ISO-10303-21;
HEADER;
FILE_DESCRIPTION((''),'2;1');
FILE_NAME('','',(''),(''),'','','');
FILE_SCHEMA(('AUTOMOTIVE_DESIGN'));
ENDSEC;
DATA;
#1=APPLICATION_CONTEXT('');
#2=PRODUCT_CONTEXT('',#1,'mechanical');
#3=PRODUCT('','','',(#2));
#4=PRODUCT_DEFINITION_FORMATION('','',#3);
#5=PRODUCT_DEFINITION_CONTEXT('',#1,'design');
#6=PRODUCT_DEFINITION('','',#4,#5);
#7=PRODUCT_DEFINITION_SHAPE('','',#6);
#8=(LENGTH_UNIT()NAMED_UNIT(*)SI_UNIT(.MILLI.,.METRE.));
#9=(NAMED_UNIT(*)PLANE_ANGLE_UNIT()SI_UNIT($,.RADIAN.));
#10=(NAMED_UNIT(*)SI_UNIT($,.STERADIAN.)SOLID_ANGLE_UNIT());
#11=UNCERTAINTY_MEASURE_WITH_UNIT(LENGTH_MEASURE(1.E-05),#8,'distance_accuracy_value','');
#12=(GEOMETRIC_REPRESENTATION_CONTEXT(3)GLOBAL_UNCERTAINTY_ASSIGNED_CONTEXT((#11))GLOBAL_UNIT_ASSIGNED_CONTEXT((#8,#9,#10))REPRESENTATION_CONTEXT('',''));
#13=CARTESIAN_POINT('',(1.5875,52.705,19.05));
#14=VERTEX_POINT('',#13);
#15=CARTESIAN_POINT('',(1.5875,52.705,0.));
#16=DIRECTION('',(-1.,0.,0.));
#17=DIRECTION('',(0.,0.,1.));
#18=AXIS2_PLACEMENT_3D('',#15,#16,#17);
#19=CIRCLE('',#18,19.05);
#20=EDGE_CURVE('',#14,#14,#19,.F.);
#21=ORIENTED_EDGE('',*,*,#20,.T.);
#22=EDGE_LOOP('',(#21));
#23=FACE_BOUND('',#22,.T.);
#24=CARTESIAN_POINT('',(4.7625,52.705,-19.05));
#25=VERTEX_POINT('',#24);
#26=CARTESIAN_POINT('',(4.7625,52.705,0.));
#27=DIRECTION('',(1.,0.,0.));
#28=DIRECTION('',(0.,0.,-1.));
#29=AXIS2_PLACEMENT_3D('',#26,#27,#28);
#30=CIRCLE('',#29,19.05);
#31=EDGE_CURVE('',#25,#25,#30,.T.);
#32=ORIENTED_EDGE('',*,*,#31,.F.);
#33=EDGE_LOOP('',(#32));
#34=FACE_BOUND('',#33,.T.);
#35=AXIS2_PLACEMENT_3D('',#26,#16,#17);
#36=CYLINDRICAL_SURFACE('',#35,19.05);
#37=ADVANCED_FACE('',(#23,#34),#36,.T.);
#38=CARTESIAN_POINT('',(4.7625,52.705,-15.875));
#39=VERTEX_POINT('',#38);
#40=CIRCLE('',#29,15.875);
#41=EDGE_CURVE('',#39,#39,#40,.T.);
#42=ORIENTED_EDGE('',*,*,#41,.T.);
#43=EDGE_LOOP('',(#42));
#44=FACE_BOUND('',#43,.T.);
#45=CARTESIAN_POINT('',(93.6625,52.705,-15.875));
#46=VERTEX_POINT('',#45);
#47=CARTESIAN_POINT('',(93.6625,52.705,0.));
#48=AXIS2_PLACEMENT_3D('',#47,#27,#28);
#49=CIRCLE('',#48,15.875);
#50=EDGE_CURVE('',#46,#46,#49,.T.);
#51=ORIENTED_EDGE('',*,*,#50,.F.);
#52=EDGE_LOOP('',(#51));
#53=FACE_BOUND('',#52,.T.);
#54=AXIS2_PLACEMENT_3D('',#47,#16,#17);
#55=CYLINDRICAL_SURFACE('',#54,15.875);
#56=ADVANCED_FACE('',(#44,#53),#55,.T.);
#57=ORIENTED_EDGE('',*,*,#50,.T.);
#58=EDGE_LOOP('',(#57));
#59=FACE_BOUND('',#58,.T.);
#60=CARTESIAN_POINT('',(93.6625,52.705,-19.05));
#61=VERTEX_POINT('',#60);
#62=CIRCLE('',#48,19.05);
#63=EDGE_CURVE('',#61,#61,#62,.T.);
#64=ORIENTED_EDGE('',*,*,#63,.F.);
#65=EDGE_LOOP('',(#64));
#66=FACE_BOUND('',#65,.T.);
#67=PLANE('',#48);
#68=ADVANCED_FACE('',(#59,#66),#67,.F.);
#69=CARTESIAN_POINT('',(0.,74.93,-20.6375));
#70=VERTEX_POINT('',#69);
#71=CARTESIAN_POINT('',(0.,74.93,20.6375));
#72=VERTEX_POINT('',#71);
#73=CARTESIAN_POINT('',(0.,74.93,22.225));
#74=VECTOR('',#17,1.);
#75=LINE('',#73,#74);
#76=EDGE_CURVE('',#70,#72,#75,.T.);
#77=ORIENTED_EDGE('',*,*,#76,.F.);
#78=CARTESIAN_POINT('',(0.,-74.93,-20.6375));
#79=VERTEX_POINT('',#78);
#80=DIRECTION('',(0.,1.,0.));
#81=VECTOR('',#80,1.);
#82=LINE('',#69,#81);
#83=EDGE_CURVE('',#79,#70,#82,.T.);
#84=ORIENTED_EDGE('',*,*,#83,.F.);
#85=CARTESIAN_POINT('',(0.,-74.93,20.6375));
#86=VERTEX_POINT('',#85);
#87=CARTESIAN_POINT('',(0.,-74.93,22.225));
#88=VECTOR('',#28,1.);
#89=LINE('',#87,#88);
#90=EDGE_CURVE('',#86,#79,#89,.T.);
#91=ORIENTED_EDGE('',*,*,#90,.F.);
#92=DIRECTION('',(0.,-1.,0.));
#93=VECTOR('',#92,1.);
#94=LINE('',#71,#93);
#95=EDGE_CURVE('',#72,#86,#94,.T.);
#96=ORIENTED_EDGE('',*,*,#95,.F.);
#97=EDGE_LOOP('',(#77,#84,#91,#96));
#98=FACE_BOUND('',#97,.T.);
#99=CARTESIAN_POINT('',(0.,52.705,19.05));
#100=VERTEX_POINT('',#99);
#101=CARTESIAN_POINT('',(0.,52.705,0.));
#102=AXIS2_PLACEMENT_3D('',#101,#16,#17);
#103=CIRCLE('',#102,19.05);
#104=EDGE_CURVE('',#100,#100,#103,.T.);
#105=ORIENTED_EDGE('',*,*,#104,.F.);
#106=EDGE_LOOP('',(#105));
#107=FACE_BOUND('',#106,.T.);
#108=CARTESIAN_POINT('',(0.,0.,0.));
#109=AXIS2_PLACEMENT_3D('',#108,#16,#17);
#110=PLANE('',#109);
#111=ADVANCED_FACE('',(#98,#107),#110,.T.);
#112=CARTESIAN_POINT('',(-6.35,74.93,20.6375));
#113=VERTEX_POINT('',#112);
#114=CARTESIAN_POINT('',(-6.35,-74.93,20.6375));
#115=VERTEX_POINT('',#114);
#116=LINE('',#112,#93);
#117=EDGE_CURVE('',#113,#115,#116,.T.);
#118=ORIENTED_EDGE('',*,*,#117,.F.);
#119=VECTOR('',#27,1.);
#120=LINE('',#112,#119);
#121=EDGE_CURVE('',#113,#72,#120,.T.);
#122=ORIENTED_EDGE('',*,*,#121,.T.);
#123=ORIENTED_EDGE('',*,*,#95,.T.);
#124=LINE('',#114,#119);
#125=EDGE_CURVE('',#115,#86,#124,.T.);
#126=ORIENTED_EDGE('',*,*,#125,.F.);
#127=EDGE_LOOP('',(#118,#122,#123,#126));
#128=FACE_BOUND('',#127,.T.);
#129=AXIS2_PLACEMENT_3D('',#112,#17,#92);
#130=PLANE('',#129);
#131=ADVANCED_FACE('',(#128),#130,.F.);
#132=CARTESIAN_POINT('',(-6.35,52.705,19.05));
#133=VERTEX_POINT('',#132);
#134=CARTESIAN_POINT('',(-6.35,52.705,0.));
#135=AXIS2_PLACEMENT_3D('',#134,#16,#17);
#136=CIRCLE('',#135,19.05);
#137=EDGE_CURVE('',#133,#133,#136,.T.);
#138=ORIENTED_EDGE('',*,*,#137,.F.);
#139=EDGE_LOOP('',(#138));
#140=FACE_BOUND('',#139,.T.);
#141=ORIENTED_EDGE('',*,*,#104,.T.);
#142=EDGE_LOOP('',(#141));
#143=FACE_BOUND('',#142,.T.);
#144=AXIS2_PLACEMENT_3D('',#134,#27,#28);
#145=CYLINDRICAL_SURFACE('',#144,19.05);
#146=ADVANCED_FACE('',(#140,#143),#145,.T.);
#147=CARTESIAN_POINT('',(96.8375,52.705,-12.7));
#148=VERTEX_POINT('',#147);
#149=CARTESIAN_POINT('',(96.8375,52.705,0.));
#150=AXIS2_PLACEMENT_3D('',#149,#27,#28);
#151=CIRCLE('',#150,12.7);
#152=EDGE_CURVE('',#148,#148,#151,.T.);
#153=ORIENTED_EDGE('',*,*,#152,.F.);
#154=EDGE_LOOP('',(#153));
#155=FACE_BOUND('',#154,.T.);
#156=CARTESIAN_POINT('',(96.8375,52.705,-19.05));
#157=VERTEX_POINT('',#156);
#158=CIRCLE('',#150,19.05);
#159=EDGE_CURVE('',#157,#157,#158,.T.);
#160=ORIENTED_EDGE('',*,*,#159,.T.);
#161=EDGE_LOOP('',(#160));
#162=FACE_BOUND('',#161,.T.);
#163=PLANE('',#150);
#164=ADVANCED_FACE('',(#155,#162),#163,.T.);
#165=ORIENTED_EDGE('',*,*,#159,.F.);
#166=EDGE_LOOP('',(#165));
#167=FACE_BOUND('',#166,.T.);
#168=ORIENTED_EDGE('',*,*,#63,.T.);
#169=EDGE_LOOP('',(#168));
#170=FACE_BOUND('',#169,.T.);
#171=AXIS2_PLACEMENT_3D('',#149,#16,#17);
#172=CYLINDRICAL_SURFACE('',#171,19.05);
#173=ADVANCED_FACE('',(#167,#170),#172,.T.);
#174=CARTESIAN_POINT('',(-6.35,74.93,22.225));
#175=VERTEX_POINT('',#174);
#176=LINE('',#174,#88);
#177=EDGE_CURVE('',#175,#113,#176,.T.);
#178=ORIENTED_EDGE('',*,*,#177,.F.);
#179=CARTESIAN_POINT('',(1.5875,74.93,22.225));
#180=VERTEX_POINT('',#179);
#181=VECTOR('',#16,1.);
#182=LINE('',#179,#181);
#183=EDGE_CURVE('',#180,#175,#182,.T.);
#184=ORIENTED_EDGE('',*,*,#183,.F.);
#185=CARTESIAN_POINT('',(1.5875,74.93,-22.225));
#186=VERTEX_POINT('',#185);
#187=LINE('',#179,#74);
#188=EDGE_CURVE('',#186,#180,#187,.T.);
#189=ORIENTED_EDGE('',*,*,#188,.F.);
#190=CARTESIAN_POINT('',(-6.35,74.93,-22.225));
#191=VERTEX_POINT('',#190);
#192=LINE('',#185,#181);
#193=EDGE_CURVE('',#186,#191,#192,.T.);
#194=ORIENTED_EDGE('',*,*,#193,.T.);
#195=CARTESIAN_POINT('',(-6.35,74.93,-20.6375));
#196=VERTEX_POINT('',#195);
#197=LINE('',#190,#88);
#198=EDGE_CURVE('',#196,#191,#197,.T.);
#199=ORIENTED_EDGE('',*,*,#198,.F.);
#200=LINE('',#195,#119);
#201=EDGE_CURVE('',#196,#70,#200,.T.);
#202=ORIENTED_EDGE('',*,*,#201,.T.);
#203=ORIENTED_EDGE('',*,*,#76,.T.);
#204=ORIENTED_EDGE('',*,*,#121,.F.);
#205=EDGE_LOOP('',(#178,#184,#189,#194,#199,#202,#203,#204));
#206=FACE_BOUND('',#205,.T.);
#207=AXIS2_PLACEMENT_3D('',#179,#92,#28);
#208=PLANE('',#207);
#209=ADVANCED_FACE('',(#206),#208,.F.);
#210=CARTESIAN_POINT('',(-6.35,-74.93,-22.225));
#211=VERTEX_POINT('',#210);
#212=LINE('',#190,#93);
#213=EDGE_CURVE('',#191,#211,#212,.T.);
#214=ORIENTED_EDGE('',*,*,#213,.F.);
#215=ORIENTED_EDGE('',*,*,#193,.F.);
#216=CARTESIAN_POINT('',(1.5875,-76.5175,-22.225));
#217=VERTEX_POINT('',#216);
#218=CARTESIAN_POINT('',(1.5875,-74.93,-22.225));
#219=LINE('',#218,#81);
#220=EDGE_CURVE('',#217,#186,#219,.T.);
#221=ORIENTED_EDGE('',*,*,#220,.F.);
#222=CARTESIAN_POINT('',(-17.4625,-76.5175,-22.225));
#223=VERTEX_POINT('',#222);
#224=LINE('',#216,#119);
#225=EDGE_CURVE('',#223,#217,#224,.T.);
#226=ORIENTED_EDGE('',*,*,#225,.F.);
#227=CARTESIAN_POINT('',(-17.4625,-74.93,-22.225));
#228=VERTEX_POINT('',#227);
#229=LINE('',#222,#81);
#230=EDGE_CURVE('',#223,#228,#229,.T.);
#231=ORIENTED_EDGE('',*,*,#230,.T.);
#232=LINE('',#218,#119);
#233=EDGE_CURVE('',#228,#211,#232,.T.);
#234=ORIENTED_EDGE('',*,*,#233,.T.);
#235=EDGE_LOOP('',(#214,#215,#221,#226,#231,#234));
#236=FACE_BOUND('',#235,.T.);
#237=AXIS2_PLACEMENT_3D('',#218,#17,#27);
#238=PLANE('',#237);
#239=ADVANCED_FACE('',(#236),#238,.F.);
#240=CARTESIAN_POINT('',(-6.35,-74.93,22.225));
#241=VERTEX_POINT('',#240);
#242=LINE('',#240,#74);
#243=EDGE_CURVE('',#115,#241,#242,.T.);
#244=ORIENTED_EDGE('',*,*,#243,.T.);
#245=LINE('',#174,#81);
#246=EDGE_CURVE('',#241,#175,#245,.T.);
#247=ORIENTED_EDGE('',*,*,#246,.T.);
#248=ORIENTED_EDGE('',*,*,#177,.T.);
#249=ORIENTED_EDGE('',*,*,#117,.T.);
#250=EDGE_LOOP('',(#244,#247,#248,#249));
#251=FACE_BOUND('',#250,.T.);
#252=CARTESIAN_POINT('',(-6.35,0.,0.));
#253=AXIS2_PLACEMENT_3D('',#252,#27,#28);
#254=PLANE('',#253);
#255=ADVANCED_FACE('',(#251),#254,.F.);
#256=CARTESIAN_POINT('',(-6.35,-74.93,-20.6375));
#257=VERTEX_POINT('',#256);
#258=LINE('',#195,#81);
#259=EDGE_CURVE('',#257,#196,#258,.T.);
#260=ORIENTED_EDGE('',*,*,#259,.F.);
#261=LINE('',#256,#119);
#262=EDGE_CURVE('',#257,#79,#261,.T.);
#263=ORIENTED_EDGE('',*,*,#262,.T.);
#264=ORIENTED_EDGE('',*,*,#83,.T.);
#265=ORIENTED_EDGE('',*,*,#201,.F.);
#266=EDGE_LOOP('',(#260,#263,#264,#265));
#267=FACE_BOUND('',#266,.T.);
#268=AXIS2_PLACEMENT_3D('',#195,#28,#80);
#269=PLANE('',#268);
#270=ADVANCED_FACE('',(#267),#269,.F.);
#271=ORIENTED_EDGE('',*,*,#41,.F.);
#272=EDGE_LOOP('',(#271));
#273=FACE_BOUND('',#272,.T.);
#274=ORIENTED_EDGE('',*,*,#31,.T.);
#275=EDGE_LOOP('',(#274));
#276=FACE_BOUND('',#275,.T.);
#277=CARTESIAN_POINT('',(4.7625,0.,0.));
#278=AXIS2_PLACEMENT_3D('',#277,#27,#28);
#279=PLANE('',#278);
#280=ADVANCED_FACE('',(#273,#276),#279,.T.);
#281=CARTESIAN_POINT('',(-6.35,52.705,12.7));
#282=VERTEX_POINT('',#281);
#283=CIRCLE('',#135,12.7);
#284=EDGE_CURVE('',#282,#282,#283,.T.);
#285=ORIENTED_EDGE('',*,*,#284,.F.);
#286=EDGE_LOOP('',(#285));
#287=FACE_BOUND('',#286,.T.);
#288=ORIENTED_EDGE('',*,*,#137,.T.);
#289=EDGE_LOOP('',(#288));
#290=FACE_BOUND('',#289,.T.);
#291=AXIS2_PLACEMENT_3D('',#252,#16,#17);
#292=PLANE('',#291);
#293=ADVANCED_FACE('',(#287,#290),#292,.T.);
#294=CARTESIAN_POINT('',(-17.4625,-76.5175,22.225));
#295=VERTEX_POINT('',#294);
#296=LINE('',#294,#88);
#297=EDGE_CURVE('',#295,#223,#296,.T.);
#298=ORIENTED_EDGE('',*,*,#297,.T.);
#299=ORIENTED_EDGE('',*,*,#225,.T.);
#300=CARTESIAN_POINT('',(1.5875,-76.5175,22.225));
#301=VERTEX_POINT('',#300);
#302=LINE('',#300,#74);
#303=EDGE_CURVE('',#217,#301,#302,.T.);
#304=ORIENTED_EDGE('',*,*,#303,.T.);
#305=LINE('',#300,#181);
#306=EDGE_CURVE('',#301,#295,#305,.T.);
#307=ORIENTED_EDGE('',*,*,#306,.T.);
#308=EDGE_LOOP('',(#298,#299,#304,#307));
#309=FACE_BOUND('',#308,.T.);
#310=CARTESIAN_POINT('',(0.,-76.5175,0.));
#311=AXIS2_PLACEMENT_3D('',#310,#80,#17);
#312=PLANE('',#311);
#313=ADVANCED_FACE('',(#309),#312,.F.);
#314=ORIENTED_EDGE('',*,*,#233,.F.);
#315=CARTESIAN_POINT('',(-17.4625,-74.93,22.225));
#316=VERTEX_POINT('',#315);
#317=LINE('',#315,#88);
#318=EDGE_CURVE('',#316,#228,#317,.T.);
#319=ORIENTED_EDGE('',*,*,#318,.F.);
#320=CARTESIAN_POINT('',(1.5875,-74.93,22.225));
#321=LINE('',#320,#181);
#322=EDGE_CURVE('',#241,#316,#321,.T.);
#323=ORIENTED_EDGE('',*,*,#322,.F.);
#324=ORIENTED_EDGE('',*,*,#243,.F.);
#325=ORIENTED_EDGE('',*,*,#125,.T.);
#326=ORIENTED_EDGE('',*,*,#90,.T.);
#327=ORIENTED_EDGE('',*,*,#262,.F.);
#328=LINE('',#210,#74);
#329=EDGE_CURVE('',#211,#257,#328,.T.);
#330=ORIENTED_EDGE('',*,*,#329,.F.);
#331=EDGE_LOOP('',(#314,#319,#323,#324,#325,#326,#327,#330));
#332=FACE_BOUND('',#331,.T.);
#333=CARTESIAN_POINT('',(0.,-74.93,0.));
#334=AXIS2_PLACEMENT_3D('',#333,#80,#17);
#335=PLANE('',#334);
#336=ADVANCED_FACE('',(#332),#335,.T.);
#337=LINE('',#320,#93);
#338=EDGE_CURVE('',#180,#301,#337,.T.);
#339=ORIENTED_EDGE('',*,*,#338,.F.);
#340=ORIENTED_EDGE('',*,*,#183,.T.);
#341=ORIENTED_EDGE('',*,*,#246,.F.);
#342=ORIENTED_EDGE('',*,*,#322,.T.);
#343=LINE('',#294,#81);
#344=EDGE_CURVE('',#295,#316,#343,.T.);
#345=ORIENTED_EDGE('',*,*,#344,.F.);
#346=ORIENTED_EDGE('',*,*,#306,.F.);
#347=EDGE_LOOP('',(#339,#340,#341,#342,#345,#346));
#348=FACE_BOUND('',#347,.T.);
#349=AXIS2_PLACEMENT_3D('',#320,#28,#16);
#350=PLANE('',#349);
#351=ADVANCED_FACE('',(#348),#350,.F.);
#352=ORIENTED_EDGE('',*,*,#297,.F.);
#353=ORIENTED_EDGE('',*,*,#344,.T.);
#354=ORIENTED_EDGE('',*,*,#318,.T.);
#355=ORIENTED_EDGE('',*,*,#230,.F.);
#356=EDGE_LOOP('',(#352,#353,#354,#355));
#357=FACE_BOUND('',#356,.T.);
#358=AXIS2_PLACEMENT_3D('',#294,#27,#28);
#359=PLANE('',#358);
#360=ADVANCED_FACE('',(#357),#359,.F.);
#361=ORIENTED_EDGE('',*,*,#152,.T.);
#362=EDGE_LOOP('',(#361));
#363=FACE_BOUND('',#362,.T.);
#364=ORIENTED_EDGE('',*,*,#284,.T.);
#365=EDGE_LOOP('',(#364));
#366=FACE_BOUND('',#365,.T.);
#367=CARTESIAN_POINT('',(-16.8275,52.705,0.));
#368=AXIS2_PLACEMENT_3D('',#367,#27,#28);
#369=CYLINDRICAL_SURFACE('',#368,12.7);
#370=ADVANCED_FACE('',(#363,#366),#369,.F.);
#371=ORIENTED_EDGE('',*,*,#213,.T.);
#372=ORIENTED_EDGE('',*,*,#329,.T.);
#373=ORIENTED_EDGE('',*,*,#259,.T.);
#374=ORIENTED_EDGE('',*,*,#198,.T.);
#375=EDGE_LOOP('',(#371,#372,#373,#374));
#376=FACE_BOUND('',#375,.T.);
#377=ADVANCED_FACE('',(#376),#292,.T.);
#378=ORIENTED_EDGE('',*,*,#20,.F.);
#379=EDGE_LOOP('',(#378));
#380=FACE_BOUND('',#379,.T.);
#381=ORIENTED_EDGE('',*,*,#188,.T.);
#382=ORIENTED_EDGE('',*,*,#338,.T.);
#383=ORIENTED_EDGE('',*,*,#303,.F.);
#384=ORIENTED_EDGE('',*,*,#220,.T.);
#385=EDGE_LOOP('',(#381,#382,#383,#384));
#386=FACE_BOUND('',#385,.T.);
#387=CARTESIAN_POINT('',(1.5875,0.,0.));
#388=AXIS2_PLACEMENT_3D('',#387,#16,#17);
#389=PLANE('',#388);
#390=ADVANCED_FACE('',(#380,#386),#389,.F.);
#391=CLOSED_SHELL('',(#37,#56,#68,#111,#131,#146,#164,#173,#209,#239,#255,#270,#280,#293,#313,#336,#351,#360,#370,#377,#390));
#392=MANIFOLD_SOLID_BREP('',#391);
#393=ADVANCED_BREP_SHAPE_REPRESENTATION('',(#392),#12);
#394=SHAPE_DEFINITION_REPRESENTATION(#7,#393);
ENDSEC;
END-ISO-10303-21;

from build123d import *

# Parameters (mm, degrees)
SKETCH1_W           = 44.45
SKETCH1_H           = 149.86
BOSS_EXTRUDE1_DEPTH = 1.5875
SKETCH2_W           = 1.5875
SKETCH2_H           = 149.86
BOSS_EXTRUDE2_DEPTH = 6.35
SKETCH3_W           = 19.05
SKETCH3_H           = 44.45
BOSS_EXTRUDE3_DEPTH = 1.5875
SKETCH4_R           = 19.05
BOSS_EXTRUDE4_DEPTH = 3.175
SKETCH5_R           = 15.875
BOSS_EXTRUDE5_DEPTH = 88.9
SKETCH6_R           = 19.05
BOSS_EXTRUDE6_DEPTH = 3.175
BOSS_EXTRUDE7_START = 6.35
SKETCH7_R           = 19.05
BOSS_EXTRUDE7_DEPTH = 6.35
SKETCH8_R           = 12.7
CUT_EXTRUDE1_DEPTH  = 113.665


with BuildPart() as part:
    # Sketch1 → Boss-Extrude1 (new body)
    with BuildSketch(Plane(origin=(0, 0, 0), x_dir=(0, 0, -1), z_dir=(1, 0, 0))):
        Rectangle(SKETCH1_W, SKETCH1_H)
    extrude(amount=BOSS_EXTRUDE1_DEPTH)

    # Sketch2 → Boss-Extrude2 (add)
    with BuildSketch(Plane.ZY):
        with Locations((21.43125, 0)):
            Rectangle(SKETCH2_W, SKETCH2_H)
        with Locations((-21.43125, 0)):
            Rectangle(SKETCH2_W, SKETCH2_H)
    extrude(amount=BOSS_EXTRUDE2_DEPTH)

    # Sketch3 → Boss-Extrude3 (add)
    with BuildSketch(Plane.XZ.offset(74.93)):
        with Locations((-7.9375, 0)):
            Rectangle(SKETCH3_W, SKETCH3_H)
    extrude(amount=BOSS_EXTRUDE3_DEPTH)

    # Sketch4 → Boss-Extrude4 (add)
    with BuildSketch(Plane(origin=(1.5875, 0, 0), x_dir=(0, 0, -1), z_dir=(1, 0, 0))):
        with Locations(Location((0, 52.705, 0), (0, 0, 180))):
            Circle(SKETCH4_R)
    extrude(amount=BOSS_EXTRUDE4_DEPTH)

    # Sketch5 → Boss-Extrude5 (add)
    with BuildSketch(Plane(origin=(4.7625, 0, 0), x_dir=(0, 0, -1), z_dir=(1, 0, 0))):
        with Locations((0, 52.705)):
            Circle(SKETCH5_R)
    extrude(amount=BOSS_EXTRUDE5_DEPTH)

    # Sketch6 → Boss-Extrude6 (add)
    with BuildSketch(Plane(origin=(93.6625, 0, 0), x_dir=(0, 0, -1), z_dir=(1, 0, 0))):
        with Locations(Location((0, 52.705, 0), (0, 0, 180))):
            Circle(SKETCH6_R)
    extrude(amount=BOSS_EXTRUDE6_DEPTH)

    # Sketch7 → Boss-Extrude7 (add)
    with BuildSketch(Plane.ZY.offset(BOSS_EXTRUDE7_START)):
        with Locations((0, 52.705)):
            Circle(SKETCH7_R)
    extrude(amount=-BOSS_EXTRUDE7_DEPTH)

    # Sketch8 → Cut-Extrude1 (cut)
    with BuildSketch(Plane(origin=(96.8375, 0, 0), x_dir=(0, 0, -1), z_dir=(1, 0, 0))):
        with Locations((0, 52.705)):
            Circle(SKETCH8_R)
    extrude(amount=-CUT_EXTRUDE1_DEPTH, mode=Mode.SUBTRACT)


solid = part.part
